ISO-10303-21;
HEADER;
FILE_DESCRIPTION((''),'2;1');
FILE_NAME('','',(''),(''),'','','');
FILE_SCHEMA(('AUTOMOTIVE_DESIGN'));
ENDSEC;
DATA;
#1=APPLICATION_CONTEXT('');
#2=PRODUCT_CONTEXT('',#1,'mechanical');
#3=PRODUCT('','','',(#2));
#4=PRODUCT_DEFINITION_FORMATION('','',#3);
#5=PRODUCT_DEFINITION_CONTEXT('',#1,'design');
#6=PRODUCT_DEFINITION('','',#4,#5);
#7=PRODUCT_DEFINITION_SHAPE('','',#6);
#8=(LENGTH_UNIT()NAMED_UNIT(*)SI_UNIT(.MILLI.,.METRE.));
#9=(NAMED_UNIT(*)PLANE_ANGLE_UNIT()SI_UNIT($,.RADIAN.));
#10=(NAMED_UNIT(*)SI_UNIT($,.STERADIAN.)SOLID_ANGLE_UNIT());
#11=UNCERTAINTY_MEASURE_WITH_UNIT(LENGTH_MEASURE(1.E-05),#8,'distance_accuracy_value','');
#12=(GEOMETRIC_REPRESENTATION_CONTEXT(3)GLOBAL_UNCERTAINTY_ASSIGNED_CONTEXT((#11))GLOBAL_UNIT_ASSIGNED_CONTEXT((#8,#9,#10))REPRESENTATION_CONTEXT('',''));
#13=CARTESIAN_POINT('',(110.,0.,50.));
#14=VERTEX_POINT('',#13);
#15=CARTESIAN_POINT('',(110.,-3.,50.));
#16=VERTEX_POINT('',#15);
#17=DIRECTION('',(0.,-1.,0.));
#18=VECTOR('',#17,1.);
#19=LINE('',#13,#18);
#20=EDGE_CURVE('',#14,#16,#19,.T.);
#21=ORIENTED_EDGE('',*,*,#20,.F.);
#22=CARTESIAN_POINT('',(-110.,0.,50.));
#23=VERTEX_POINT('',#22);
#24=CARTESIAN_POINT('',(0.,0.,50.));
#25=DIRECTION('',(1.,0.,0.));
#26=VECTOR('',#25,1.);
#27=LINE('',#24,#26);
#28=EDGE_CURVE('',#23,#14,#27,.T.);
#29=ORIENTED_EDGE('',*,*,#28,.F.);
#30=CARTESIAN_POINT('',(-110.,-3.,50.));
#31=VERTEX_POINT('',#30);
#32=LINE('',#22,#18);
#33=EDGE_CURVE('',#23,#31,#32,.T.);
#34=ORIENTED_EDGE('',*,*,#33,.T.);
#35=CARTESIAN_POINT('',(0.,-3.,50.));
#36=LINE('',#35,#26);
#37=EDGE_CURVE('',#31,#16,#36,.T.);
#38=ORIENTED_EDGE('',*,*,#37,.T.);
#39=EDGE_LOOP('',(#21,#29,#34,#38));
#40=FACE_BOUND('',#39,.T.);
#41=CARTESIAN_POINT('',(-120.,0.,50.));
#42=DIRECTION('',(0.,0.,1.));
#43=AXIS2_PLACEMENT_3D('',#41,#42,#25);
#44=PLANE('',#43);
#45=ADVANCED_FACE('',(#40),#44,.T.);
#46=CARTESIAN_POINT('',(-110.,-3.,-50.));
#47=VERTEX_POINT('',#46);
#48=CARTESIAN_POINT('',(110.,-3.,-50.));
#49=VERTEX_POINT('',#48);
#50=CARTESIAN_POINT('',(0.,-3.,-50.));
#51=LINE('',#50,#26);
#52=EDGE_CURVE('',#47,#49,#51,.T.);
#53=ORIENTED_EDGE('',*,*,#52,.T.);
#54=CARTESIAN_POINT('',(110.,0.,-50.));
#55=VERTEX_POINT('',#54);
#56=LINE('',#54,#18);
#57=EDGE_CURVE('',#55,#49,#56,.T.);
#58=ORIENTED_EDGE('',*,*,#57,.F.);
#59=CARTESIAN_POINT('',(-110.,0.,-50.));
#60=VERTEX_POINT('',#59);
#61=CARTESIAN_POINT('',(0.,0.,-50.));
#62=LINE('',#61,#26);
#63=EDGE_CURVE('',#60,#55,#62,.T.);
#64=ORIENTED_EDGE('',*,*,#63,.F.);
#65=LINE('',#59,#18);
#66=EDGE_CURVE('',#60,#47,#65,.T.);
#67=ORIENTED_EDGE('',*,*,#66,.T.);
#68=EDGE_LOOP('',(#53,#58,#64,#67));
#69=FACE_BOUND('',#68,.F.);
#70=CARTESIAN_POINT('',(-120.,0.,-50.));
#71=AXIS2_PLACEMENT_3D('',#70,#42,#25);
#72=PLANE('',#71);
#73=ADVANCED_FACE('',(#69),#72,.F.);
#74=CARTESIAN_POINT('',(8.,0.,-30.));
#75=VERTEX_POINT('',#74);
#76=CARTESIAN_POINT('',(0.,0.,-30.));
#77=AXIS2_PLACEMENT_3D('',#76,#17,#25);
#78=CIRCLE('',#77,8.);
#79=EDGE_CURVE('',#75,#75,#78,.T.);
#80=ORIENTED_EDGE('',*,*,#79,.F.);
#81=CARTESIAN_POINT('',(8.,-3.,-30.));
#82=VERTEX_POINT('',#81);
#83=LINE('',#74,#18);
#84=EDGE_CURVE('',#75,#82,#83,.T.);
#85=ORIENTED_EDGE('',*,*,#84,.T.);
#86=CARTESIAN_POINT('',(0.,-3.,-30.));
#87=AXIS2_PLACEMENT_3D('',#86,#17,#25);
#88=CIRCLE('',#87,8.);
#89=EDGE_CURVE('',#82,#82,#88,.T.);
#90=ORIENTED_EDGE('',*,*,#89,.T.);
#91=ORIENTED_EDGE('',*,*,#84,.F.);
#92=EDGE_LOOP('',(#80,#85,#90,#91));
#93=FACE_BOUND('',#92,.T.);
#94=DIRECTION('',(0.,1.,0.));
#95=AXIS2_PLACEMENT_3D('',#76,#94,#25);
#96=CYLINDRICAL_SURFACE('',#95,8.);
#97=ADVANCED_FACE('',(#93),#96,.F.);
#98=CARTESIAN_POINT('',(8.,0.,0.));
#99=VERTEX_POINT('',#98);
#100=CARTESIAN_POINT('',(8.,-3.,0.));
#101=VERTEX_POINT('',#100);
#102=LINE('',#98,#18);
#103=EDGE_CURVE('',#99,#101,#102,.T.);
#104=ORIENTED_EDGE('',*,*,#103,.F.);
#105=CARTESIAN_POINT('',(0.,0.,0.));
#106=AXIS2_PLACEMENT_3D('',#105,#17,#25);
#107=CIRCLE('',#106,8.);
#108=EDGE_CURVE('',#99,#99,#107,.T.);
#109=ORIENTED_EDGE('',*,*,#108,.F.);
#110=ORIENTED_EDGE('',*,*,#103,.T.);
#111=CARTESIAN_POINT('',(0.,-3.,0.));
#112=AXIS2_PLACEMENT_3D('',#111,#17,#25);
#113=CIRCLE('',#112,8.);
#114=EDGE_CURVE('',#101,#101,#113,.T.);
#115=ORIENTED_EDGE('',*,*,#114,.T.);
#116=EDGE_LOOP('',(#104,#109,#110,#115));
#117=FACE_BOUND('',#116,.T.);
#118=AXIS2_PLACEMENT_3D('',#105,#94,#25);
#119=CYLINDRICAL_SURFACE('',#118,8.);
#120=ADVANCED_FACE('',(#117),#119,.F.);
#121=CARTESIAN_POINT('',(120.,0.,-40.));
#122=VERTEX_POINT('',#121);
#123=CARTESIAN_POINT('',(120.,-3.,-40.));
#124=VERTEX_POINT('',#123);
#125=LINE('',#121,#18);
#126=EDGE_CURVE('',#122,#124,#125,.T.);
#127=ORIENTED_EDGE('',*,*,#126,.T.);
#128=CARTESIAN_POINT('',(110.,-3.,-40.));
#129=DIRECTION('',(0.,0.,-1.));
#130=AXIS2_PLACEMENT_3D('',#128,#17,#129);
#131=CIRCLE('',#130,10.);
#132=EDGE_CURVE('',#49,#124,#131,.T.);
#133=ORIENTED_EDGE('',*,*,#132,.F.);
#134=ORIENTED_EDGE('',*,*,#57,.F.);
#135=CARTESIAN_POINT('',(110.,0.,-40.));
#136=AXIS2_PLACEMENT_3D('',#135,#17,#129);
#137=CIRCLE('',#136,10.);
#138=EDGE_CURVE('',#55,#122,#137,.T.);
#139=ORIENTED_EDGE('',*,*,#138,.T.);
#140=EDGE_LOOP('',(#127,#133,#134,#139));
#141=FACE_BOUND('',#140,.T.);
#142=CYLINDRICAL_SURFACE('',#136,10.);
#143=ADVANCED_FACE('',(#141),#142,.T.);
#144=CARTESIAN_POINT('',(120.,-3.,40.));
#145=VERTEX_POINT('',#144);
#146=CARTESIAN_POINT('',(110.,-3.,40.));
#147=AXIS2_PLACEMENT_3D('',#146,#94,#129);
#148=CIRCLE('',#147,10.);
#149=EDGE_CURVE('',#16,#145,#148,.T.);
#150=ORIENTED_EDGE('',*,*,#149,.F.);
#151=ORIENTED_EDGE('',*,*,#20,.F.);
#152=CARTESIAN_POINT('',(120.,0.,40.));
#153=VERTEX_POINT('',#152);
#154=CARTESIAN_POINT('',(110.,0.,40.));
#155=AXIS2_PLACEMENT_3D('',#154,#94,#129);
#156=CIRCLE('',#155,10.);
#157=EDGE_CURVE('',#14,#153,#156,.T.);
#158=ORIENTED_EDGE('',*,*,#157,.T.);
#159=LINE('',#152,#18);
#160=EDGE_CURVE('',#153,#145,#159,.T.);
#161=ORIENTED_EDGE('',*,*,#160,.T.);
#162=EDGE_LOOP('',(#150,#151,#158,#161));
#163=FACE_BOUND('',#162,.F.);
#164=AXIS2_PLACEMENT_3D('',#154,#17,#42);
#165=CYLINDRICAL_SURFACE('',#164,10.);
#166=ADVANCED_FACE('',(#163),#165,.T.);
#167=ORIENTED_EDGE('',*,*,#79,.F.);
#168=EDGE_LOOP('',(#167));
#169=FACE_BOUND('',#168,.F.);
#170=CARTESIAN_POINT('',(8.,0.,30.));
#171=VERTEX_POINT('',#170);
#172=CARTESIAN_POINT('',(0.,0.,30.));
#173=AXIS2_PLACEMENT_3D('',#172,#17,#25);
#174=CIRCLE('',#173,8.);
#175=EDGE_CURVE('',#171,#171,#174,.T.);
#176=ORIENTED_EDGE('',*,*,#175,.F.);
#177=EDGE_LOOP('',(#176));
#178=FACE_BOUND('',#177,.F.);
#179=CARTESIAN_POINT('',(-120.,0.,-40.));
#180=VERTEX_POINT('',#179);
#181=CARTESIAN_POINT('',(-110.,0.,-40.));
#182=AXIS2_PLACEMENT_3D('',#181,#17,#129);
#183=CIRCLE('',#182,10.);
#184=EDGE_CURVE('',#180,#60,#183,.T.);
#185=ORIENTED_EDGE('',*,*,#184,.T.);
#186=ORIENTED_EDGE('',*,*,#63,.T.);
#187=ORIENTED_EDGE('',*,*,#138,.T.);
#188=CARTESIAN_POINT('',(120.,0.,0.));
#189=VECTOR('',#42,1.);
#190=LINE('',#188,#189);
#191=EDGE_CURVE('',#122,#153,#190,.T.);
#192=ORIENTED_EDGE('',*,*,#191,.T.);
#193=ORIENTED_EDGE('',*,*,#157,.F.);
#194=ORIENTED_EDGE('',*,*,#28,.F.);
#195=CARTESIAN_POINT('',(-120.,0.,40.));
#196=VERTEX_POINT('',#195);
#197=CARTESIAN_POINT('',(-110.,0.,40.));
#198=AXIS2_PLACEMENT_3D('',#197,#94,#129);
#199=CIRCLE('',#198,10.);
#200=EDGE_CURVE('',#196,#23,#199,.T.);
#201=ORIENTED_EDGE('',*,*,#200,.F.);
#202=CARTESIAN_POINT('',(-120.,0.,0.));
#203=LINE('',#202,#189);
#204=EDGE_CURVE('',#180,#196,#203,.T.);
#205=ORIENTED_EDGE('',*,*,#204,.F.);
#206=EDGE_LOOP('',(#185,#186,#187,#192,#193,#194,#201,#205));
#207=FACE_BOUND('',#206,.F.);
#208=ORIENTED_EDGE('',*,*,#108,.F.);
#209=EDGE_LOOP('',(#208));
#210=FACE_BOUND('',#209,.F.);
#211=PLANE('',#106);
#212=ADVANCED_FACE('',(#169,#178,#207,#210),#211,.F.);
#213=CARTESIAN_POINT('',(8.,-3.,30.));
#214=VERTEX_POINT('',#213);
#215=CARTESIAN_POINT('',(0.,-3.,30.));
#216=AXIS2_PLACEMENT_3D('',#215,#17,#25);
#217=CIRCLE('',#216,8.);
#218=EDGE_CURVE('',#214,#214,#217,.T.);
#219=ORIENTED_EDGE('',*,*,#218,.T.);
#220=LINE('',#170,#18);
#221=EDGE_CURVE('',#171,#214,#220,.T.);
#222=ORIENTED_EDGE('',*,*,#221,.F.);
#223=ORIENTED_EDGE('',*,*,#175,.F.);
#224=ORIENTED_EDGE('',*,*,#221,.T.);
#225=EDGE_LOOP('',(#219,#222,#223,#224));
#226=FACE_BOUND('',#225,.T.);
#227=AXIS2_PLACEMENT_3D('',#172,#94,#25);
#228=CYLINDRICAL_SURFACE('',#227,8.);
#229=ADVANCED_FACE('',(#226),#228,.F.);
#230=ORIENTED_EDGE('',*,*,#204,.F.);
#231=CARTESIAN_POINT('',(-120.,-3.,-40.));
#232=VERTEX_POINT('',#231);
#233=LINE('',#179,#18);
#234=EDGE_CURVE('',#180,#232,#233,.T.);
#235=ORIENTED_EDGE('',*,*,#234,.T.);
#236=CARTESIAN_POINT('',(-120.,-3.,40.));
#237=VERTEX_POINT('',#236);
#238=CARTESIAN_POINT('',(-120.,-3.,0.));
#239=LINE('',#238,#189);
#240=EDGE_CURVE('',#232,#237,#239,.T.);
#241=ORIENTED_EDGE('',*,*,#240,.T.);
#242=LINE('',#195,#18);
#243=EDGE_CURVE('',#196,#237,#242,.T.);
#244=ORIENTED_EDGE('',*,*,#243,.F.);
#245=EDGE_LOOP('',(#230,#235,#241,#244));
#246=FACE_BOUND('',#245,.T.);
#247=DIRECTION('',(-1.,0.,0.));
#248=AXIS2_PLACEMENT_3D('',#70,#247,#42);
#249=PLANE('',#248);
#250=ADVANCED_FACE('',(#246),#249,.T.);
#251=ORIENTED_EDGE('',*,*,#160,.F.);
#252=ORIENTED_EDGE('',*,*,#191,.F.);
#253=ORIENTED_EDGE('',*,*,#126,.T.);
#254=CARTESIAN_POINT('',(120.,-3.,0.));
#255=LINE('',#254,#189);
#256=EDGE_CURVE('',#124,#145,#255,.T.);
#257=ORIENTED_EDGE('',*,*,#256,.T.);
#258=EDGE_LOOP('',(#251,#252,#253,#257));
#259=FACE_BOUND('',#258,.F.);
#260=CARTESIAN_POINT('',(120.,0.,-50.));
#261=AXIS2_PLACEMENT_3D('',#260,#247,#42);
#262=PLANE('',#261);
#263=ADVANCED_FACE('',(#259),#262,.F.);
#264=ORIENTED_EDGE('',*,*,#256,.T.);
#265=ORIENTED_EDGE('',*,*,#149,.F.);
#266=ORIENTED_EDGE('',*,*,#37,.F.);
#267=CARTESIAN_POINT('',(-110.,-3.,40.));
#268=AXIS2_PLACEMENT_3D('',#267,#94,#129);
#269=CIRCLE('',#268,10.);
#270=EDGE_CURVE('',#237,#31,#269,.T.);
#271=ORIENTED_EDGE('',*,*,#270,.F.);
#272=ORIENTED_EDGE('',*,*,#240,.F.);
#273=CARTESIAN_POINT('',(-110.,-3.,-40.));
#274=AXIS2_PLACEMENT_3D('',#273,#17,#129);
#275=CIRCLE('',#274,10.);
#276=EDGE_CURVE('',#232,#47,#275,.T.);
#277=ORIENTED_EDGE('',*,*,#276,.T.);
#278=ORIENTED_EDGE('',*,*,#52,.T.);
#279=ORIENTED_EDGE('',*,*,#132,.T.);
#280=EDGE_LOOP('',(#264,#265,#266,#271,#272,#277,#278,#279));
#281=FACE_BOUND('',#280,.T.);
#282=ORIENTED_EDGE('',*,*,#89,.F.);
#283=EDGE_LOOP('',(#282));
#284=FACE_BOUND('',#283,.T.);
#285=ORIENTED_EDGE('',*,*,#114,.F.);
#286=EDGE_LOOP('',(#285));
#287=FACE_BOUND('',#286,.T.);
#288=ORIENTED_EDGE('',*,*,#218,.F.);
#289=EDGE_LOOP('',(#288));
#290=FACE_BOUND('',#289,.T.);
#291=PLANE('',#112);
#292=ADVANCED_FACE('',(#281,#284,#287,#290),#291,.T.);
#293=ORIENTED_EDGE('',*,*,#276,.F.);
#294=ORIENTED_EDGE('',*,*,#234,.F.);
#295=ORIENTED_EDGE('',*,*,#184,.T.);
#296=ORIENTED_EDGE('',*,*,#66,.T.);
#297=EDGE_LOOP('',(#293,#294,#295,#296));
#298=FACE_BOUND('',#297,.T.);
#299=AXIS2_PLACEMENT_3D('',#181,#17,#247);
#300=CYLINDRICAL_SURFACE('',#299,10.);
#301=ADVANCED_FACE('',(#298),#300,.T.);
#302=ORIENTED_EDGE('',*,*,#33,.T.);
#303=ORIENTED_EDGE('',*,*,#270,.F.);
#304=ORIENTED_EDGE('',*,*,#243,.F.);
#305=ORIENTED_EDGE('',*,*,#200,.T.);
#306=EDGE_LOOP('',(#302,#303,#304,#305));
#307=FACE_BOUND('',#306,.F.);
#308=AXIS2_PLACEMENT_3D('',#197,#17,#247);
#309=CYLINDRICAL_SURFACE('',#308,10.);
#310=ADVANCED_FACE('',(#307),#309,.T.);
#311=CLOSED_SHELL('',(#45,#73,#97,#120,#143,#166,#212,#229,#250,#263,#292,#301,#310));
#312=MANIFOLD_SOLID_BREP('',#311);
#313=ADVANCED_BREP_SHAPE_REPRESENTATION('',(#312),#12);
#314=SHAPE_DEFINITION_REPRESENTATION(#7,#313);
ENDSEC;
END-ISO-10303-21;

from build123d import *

# Parameters (mm, degrees)
F0_W     = 240
F0_H     = 100
F0_R     = 8
F1_DEPTH = 3
F2_R     = 10


with BuildPart() as f1:
    # F0 (on Front) → F1 (new body)
    with BuildSketch(Plane.XZ):
        Rectangle(F0_W, F0_H)
        with Locations((0, -30)):
            Circle(F0_R, mode=Mode.SUBTRACT)
        Circle(F0_R, mode=Mode.SUBTRACT)
        with Locations((0, 30)):
            Circle(F0_R, mode=Mode.SUBTRACT)
    extrude(amount=F1_DEPTH)

    # F2
    f2_edges = [f1.edges().sort_by_distance(p)[0] for p in [
        (-120, -1.5, 50),
        (-120, -1.5, -50),
        (120, -1.5, 50),
        (120, -1.5, -50),
    ]]
    fillet(f2_edges, radius=F2_R)


solid = f1.part
